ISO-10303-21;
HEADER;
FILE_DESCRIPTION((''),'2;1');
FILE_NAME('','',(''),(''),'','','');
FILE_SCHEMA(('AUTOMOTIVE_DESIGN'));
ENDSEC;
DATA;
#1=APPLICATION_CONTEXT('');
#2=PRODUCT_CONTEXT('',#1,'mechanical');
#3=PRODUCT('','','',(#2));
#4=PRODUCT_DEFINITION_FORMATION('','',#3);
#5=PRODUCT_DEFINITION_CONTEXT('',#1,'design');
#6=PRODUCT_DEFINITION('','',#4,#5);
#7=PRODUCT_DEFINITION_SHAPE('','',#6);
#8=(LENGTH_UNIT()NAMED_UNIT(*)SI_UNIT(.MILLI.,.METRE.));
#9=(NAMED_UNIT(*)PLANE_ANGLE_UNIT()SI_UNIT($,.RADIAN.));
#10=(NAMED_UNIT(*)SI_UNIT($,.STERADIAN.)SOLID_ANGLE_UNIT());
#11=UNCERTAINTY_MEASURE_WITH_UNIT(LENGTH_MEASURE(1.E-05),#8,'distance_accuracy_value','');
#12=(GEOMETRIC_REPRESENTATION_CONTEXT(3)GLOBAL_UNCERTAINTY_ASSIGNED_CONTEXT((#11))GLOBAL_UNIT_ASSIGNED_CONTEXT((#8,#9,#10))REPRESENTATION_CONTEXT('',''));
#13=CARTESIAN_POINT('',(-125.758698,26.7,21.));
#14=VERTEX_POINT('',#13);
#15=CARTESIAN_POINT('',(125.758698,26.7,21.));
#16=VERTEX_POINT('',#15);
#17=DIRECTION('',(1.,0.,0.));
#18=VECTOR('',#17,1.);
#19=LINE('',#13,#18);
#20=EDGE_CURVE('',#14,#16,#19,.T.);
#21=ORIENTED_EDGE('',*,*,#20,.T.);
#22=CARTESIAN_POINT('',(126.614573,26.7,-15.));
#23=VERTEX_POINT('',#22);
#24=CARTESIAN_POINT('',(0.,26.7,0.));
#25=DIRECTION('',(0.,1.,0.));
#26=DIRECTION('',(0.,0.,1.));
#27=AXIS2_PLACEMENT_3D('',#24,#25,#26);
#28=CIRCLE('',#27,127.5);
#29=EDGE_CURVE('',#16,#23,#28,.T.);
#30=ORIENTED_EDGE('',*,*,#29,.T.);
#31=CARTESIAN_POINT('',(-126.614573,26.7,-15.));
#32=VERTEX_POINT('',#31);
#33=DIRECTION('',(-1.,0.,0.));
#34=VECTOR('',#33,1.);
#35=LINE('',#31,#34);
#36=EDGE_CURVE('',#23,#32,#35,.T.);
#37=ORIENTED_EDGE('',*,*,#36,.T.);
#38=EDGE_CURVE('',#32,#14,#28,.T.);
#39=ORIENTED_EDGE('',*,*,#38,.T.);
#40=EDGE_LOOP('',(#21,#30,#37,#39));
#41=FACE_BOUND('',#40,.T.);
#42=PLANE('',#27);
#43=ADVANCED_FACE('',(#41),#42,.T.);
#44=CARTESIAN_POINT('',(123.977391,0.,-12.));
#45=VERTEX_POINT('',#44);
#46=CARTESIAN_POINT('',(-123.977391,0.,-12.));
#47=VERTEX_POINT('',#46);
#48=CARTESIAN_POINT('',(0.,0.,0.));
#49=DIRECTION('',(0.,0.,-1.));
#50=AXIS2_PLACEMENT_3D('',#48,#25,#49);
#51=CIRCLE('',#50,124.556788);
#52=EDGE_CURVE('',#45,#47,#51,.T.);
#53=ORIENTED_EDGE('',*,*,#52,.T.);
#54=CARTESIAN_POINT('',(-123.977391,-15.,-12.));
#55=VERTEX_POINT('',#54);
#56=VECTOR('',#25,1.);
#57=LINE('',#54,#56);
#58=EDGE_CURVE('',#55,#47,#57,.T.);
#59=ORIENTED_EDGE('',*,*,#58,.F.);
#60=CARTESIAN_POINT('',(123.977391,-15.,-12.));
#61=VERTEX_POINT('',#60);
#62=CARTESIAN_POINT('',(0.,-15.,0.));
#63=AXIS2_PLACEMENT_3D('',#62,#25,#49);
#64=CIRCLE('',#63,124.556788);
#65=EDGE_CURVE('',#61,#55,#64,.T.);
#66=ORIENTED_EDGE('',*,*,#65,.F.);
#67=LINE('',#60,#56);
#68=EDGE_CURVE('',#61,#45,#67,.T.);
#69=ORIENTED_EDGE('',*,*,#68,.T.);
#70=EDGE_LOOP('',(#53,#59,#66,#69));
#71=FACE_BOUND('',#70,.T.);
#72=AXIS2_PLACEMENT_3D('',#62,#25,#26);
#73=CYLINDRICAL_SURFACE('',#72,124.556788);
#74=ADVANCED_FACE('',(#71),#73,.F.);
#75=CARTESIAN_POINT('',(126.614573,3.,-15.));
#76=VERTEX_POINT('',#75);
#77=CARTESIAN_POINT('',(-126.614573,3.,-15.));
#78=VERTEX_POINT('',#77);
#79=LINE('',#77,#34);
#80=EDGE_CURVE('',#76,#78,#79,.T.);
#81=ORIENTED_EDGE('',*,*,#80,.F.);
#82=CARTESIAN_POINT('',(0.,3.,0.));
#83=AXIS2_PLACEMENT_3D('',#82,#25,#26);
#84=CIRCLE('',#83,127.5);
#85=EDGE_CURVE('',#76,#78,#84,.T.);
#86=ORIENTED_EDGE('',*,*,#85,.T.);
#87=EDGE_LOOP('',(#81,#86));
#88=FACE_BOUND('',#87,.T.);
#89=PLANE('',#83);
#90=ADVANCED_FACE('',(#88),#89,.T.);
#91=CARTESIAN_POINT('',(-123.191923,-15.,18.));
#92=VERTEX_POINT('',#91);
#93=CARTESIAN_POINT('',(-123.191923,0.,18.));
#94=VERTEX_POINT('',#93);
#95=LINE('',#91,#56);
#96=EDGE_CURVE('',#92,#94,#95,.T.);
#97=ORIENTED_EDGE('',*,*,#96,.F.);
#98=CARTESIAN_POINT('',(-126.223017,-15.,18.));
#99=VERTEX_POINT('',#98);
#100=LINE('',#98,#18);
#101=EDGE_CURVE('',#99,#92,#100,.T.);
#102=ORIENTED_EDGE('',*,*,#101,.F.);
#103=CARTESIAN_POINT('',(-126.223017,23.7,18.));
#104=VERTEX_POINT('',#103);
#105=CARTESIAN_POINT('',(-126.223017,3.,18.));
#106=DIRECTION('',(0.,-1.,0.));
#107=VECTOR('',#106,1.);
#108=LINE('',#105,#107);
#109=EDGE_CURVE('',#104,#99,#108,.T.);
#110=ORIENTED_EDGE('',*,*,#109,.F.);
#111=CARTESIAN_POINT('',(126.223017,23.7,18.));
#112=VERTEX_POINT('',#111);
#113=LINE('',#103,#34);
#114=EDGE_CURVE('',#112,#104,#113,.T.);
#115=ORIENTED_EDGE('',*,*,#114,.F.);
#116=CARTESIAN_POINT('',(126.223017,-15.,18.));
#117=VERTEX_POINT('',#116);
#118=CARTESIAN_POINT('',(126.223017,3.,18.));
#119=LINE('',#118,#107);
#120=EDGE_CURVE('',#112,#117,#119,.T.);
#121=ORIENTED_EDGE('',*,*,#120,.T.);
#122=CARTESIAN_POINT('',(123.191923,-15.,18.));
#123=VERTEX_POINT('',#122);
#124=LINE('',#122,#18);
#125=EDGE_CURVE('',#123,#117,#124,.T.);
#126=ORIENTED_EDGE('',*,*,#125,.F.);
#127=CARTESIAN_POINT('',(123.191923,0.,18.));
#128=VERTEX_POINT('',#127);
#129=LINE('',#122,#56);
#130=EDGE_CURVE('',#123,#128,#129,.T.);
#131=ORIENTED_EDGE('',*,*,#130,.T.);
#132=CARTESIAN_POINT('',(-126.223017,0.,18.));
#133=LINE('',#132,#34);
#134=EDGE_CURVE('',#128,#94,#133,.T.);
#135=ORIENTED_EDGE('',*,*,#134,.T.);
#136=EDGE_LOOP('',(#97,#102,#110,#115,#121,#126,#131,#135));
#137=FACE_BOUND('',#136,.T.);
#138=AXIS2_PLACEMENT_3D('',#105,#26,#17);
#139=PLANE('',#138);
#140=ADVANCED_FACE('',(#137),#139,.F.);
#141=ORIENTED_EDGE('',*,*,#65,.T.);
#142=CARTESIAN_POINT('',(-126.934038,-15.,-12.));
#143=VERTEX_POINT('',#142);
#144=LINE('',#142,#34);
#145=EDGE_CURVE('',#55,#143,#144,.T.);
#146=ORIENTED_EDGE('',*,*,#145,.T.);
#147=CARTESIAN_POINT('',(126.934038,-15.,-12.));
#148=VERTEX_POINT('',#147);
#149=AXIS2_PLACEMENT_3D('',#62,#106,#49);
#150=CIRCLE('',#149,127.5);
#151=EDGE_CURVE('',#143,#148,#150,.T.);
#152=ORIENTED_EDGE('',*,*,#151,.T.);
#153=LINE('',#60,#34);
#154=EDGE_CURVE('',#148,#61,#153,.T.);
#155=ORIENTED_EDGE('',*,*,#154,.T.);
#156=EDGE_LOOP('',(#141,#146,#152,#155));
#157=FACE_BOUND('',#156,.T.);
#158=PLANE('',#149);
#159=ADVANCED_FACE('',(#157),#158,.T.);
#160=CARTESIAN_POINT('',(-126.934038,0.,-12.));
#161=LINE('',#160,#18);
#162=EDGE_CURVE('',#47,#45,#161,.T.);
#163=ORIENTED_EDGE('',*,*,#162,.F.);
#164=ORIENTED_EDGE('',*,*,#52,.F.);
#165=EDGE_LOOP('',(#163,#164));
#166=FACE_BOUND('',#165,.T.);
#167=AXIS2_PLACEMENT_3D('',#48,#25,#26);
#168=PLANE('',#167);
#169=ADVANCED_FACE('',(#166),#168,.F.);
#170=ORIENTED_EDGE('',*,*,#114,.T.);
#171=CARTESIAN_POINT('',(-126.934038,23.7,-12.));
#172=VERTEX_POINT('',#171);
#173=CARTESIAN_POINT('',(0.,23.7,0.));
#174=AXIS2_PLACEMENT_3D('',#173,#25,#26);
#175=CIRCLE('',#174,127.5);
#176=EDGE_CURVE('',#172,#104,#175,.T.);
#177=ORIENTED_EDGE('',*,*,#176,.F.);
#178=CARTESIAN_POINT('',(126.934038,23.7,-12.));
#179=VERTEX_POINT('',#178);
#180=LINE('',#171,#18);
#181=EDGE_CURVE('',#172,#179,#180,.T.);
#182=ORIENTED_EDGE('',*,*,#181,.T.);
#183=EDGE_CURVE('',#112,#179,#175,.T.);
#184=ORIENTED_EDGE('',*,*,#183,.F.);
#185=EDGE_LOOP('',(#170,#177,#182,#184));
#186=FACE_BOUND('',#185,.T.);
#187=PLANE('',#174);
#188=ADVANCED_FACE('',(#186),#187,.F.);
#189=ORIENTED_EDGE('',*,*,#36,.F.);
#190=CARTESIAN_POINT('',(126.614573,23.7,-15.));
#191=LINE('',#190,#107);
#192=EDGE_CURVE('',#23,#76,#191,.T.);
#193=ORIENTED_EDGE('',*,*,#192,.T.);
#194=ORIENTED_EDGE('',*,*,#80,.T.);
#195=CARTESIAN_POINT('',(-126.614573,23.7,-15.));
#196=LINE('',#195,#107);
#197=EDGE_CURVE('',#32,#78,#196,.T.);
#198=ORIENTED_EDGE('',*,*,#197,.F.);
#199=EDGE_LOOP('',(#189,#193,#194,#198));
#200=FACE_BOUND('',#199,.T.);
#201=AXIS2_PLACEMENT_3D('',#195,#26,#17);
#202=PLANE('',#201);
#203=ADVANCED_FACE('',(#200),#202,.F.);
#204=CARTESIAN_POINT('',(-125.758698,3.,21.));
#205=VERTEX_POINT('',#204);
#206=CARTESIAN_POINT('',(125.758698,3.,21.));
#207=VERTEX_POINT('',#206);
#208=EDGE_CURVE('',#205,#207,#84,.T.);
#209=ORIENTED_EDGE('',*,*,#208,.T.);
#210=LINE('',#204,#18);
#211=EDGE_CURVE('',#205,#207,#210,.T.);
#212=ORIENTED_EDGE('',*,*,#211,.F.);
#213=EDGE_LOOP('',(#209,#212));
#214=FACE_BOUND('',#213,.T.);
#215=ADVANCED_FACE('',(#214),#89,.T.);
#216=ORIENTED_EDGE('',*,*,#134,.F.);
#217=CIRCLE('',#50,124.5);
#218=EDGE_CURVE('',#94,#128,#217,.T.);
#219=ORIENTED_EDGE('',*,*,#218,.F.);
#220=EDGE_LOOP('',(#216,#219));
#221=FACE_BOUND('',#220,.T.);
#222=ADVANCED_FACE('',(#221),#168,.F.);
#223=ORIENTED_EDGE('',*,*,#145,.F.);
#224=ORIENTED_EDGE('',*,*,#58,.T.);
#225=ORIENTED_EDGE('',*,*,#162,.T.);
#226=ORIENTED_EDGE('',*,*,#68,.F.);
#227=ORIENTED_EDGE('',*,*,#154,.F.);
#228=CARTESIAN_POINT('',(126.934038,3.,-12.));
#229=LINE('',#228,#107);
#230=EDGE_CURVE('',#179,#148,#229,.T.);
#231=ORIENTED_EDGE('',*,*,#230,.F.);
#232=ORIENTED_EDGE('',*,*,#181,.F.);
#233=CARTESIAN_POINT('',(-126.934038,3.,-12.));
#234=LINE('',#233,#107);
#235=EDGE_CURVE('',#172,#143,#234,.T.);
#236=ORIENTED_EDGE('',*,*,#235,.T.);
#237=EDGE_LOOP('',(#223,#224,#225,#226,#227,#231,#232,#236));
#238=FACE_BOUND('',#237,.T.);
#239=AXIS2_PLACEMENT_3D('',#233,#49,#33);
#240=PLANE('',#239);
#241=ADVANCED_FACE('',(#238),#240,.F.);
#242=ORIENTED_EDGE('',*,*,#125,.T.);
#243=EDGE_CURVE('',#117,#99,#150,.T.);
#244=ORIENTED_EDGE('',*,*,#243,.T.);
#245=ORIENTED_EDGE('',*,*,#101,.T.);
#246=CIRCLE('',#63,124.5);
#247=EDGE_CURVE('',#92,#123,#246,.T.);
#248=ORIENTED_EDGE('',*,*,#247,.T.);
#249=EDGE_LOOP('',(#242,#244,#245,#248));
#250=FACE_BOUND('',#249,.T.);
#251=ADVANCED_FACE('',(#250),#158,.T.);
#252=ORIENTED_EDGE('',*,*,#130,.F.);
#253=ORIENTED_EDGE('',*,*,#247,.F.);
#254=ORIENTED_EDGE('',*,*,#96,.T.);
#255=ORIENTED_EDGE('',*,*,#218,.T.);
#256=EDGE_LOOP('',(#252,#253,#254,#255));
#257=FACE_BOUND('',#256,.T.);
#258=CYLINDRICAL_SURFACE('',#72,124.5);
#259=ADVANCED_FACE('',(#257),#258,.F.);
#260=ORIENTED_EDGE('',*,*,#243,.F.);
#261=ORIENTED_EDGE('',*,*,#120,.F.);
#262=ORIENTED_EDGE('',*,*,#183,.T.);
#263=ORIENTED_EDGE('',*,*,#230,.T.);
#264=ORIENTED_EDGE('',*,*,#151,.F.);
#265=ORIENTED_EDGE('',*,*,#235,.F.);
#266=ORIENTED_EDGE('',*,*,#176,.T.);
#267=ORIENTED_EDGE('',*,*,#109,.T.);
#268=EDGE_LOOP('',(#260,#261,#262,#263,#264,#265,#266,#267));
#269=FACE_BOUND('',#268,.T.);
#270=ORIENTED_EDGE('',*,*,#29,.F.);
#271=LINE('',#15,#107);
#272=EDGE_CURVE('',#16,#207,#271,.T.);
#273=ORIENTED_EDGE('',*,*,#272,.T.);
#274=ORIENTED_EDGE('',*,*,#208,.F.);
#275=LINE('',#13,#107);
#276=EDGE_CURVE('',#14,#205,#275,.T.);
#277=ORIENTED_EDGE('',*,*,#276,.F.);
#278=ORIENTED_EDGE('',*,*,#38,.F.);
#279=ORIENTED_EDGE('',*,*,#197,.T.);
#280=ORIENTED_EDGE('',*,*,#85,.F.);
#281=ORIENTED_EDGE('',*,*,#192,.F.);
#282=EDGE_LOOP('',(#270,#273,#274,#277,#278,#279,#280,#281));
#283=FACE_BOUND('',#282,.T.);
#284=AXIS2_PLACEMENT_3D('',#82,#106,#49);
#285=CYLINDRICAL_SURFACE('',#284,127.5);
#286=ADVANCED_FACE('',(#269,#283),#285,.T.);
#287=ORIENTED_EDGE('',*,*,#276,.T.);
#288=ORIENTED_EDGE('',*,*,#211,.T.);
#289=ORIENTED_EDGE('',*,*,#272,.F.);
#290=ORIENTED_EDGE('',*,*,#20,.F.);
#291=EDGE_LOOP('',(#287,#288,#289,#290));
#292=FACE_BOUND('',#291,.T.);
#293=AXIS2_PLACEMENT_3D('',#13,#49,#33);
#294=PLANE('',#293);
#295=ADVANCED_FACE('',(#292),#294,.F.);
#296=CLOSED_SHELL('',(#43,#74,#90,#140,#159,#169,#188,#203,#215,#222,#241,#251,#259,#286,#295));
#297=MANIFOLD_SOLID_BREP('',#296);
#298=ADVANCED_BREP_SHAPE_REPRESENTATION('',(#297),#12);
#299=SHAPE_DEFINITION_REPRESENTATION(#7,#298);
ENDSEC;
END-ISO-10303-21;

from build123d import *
from build123d.topology import SkipClean

# Parameters (mm, degrees)
BOSS_EXTRUDE1_DEPTH   = 3
BOSS_EXTRUDE1_2_DEPTH = 3
BOSS_EXTRUDE2_DEPTH   = 20.7
BOSS_EXTRUDE3_DEPTH   = 3
BOSS_EXTRUDE4_START   = 15
BOSS_EXTRUDE4_DEPTH   = 15


with BuildPart() as part:
    # Sketch1 → Boss-Extrude1 (new body)
    with BuildSketch(Plane(origin=(0, 0, 0), x_dir=(1, 0, 0), z_dir=(0, 1, 0))):
        with BuildLine():
            Line((-126.934037988, 12), (126.934037988, 12))
            ThreePointArc((126.934037988, 12), (0, 127.5), (-126.934037988, 12))
        make_face()
    extrude(amount=BOSS_EXTRUDE1_DEPTH)



with BuildPart() as body_2:
    # Sketch1 → Boss-Extrude1 2 (new body)
    with BuildSketch(Plane(origin=(0, 0, 0), x_dir=(1, 0, 0), z_dir=(0, 1, 0))):
        with BuildLine():
            Line((-126.223016918, -18), (126.223016918, -18))
            ThreePointArc((126.223016918, -18), (0, -127.5), (-126.223016918, -18))
        make_face()
    extrude(amount=BOSS_EXTRUDE1_2_DEPTH)


with BuildPart() as part_1:
    with SkipClean():  # the faces are left unmerged after this step: merging them gives an invalid solid
        add(part.part)

        add(body_2.part)  # Boss-Extrude2 merges body 2
        # Sketch5 → Boss-Extrude2 (add)
        with BuildSketch(Plane(origin=(0, 3, 0), x_dir=(1, 0, 0), z_dir=(0, 1, 0))):
            with BuildLine():
                Line((-126.614572621, 15), (126.614572621, 15))
                ThreePointArc((126.614572621, 15), (126.783179032, 13.50094495), (126.934037988, 12))
                Line((126.934037988, 12), (-126.934037988, 12))
                ThreePointArc((-126.934037988, 12), (-126.783179032, 13.50094495), (-126.614572621, 15))
            make_face()
            with BuildLine():
                Line((-125.758697512, -21), (125.758697512, -21))
                ThreePointArc((125.758697512, -21), (125.999786118, -19.501381954), (126.223016918, -18))
                Line((126.223016918, -18), (-126.223016918, -18))
                ThreePointArc((-126.223016918, -18), (-125.999786118, -19.501381954), (-125.758697512, -21))
            make_face()
        extrude(amount=BOSS_EXTRUDE2_DEPTH)

    # Sketch6 → Boss-Extrude3 (add)
    with BuildSketch(Plane(origin=(0, 23.7, 0), x_dir=(1, 0, 0), z_dir=(0, 1, 0))):
        with BuildLine():
            Line((-126.614572621, 15), (126.614572621, 15))
            ThreePointArc((126.614572621, 15), (127.463982636, -3.030368055), (125.758697512, -21))
            Line((125.758697512, -21), (-125.758697512, -21))
            ThreePointArc((-125.758697512, -21), (-127.463982636, -3.030368055), (-126.614572621, 15))
        make_face()
    extrude(amount=BOSS_EXTRUDE3_DEPTH)

    # Sketch7 → Boss-Extrude4 (add)
    with BuildSketch(Plane.XZ.offset(BOSS_EXTRUDE4_START)):
        with BuildLine():
            Line((-126.934037988, -12), (-123.977391141, -12))
            ThreePointArc((-123.977391141, -12), (0, -124.55678831), (123.977391141, -12))
            Line((123.977391141, -12), (126.934037988, -12))
            ThreePointArc((126.934037988, -12), (0, -127.5), (-126.934037988, -12))
        make_face()
        with BuildLine():
            Line((123.191923437, 18), (126.223016918, 18))
            ThreePointArc((126.223016918, 18), (0, 127.5), (-126.223016918, 18))
            Line((-126.223016918, 18), (-123.191923437, 18))
            ThreePointArc((-123.191923437, 18), (0, 124.5), (123.191923437, 18))
        make_face()
    extrude(amount=-BOSS_EXTRUDE4_DEPTH)


solid = part_1.part
